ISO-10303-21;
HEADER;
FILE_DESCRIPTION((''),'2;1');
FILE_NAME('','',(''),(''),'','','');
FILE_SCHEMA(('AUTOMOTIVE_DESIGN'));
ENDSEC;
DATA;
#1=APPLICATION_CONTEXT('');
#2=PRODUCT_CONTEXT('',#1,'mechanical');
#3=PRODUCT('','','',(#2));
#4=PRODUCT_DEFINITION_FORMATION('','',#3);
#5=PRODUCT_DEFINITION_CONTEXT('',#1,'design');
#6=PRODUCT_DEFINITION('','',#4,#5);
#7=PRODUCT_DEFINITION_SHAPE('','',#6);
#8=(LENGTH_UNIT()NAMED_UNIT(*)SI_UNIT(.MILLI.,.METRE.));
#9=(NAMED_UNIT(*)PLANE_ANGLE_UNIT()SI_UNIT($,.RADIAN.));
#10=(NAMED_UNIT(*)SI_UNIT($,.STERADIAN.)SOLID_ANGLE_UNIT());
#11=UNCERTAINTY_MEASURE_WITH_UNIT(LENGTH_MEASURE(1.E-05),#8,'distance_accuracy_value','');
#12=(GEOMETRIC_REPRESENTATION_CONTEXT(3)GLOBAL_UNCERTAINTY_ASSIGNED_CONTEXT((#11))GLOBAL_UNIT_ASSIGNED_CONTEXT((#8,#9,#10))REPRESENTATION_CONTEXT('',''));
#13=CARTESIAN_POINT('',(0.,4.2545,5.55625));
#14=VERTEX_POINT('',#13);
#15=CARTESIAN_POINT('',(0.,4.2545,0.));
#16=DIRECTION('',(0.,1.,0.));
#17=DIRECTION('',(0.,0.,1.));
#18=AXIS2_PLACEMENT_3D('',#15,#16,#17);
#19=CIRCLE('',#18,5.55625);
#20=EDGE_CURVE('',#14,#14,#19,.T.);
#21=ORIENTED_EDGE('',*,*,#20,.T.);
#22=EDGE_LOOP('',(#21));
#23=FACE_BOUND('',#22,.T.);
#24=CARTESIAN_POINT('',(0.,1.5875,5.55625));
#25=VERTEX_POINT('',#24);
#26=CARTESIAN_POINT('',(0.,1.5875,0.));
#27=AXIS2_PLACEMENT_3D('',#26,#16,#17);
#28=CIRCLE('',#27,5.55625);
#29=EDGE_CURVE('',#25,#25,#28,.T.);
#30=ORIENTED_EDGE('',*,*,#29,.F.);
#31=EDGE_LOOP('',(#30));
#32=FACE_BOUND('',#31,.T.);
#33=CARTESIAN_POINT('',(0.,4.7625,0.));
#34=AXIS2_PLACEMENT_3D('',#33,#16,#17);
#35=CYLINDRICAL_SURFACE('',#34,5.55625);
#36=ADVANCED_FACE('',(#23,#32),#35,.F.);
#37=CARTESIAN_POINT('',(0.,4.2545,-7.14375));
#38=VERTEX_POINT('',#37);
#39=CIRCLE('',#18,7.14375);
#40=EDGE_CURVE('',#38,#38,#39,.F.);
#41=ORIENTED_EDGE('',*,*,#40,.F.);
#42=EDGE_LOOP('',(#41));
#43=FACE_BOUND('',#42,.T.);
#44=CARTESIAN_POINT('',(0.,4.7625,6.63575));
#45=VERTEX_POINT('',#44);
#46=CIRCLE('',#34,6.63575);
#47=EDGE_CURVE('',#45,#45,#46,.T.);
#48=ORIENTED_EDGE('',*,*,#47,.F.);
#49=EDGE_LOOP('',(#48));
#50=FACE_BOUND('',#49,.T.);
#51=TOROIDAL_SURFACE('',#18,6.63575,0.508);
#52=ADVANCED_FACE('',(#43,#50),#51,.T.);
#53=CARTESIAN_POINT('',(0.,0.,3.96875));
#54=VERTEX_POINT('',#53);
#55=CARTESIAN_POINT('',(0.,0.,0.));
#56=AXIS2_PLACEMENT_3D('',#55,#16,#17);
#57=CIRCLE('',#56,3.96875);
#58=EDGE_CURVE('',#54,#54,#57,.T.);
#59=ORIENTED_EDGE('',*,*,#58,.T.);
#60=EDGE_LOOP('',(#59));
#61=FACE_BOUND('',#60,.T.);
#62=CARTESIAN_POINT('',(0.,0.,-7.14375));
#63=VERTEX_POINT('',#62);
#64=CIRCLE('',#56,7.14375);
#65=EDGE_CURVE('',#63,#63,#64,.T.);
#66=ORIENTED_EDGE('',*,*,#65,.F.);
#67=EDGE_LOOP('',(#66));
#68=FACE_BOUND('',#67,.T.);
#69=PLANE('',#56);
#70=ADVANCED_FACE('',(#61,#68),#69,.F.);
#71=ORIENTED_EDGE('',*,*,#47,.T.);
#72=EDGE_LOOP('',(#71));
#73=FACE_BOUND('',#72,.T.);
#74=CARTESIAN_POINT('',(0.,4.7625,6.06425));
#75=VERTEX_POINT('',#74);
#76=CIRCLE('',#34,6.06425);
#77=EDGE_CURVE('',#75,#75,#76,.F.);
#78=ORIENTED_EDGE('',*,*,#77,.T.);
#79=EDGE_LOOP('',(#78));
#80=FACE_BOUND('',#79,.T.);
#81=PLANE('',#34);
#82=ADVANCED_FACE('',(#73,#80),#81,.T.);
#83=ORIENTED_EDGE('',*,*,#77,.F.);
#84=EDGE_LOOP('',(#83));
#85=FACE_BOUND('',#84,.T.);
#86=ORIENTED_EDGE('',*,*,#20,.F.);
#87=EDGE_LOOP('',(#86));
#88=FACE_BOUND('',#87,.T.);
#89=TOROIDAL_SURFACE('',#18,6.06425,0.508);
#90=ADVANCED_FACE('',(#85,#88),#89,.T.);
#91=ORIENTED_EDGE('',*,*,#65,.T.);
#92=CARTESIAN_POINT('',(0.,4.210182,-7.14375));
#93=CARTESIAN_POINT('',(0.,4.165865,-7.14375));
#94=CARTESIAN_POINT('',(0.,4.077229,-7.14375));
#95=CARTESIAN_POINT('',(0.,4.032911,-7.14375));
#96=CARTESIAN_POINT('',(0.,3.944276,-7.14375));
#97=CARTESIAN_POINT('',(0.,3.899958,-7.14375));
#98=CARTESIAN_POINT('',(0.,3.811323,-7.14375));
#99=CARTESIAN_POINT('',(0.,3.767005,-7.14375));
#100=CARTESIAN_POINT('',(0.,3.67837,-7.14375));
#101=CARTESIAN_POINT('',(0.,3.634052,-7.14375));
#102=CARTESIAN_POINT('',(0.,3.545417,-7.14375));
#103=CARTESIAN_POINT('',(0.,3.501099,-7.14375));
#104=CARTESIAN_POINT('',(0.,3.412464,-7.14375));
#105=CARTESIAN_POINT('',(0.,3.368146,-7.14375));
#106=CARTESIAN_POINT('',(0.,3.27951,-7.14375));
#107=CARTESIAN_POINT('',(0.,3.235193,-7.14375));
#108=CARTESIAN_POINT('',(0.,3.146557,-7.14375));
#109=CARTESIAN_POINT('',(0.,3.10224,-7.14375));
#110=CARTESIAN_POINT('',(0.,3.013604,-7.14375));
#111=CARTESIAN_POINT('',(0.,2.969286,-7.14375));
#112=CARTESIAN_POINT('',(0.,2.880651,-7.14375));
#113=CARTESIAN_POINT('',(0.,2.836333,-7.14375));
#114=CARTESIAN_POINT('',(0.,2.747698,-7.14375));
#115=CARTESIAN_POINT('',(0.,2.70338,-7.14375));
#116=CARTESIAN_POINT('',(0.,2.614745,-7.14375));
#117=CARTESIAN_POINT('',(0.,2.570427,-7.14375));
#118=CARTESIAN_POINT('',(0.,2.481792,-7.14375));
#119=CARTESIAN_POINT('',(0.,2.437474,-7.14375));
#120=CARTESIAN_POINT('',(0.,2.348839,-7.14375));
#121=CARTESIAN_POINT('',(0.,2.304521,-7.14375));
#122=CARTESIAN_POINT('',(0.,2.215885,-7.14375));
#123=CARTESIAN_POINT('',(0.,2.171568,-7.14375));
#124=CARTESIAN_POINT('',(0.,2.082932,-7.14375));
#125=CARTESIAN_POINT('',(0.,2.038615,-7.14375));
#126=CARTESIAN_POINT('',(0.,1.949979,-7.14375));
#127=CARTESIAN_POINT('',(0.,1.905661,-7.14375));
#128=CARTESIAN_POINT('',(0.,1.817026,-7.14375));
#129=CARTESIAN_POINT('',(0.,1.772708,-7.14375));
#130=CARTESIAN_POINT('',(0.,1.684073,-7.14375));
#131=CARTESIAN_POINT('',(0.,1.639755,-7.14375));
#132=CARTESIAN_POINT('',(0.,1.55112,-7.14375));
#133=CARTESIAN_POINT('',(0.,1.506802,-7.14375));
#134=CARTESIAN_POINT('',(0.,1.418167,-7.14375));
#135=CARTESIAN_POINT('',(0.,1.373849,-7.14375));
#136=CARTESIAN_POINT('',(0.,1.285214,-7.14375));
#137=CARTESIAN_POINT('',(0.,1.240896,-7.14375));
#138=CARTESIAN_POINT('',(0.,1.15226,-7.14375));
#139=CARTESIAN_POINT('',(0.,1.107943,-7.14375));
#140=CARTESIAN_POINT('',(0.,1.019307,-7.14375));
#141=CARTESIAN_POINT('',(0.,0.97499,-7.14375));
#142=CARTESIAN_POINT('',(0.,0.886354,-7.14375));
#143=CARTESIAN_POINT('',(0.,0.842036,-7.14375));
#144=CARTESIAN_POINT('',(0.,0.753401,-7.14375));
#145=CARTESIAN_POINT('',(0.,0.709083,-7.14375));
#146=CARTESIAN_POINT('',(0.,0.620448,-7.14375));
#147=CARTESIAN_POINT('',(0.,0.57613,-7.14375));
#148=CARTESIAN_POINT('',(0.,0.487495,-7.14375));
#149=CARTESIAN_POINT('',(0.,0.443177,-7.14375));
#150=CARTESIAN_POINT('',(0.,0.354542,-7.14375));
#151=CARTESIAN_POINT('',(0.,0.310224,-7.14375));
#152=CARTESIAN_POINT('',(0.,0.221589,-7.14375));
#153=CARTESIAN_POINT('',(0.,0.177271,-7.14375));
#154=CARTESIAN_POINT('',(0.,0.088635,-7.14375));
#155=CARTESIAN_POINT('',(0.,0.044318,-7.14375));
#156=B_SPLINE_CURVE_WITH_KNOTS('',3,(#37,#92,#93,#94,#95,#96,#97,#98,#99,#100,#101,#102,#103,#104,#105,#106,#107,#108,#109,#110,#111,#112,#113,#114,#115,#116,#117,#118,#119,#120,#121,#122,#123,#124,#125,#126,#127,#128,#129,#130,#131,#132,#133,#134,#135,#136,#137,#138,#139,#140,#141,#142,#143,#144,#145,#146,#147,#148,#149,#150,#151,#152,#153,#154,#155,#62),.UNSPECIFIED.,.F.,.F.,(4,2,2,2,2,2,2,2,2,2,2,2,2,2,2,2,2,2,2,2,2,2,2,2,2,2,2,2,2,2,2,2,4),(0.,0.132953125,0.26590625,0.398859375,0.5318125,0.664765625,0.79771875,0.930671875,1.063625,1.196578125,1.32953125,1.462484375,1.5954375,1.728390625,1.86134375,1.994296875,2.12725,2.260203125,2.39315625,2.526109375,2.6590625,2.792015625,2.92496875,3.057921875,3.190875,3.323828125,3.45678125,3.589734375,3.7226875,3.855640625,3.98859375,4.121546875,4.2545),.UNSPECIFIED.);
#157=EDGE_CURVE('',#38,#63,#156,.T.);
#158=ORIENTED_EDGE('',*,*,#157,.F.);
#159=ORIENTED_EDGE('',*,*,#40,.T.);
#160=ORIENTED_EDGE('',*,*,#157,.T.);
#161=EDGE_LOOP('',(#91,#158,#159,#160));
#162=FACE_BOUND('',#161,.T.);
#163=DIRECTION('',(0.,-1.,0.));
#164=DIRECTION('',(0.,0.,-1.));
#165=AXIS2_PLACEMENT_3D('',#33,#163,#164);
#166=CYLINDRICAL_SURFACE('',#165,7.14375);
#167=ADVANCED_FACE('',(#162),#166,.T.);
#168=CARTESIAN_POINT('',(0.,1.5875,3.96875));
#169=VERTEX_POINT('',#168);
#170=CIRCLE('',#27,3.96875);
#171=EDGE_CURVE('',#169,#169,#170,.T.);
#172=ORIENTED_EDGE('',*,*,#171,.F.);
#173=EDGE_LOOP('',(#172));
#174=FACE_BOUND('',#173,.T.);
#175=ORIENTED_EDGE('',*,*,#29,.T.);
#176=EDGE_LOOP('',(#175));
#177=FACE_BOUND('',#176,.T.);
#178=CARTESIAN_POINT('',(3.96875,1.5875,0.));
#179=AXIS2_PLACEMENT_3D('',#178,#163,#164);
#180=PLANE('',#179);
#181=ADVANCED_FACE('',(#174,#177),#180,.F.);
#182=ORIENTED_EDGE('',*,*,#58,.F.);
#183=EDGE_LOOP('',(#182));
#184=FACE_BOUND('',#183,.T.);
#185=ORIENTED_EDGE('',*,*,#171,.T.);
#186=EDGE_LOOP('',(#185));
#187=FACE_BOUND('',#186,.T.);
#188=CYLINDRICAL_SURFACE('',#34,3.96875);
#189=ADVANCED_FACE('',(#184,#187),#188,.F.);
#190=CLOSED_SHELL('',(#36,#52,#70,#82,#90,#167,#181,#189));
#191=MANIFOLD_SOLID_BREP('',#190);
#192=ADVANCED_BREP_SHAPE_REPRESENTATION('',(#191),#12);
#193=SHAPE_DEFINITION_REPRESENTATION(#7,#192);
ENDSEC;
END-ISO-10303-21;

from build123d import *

# Parameters (mm, degrees)
SKETCH1_R                                           = 7.14375
BOSS_EXTRUDE1_DEPTH                                 = 4.7625
CBORE_FOR_00_BINDING_HEAD_MACHINE_SCREW_D           = 7.9375
CBORE_FOR_00_BINDING_HEAD_MACHINE_SCREW_CBORE_D     = 11.1125
CBORE_FOR_00_BINDING_HEAD_MACHINE_SCREW_CBORE_DEPTH = 3.175
FILLET2_R                                           = 0.508


with BuildPart() as part:
    # Sketch1 → Boss-Extrude1 (new body)
    with BuildSketch(Plane(origin=(0, 0, 0), x_dir=(1, 0, 0), z_dir=(0, 1, 0))):
        Circle(SKETCH1_R)
    extrude(amount=BOSS_EXTRUDE1_DEPTH)

    # CBORE for #00 Binding Head Machine Screw1 (through all)
    with Locations(Plane(origin=(0, 4.7625, 0), x_dir=(1, 0, 0), z_dir=(0, 1, 0))):
        with Locations((0, 0)):
            CounterBoreHole(CBORE_FOR_00_BINDING_HEAD_MACHINE_SCREW_D / 2, CBORE_FOR_00_BINDING_HEAD_MACHINE_SCREW_CBORE_D / 2, CBORE_FOR_00_BINDING_HEAD_MACHINE_SCREW_CBORE_DEPTH)

    # Fillet2
    fillet2_edges = [part.edges().sort_by_distance(p)[0] for p in [
        (-7.14375, 4.7625, 0),
        (-5.55625, 4.7625, 0),
    ]]
    fillet(fillet2_edges, radius=FILLET2_R)


solid = part.part
